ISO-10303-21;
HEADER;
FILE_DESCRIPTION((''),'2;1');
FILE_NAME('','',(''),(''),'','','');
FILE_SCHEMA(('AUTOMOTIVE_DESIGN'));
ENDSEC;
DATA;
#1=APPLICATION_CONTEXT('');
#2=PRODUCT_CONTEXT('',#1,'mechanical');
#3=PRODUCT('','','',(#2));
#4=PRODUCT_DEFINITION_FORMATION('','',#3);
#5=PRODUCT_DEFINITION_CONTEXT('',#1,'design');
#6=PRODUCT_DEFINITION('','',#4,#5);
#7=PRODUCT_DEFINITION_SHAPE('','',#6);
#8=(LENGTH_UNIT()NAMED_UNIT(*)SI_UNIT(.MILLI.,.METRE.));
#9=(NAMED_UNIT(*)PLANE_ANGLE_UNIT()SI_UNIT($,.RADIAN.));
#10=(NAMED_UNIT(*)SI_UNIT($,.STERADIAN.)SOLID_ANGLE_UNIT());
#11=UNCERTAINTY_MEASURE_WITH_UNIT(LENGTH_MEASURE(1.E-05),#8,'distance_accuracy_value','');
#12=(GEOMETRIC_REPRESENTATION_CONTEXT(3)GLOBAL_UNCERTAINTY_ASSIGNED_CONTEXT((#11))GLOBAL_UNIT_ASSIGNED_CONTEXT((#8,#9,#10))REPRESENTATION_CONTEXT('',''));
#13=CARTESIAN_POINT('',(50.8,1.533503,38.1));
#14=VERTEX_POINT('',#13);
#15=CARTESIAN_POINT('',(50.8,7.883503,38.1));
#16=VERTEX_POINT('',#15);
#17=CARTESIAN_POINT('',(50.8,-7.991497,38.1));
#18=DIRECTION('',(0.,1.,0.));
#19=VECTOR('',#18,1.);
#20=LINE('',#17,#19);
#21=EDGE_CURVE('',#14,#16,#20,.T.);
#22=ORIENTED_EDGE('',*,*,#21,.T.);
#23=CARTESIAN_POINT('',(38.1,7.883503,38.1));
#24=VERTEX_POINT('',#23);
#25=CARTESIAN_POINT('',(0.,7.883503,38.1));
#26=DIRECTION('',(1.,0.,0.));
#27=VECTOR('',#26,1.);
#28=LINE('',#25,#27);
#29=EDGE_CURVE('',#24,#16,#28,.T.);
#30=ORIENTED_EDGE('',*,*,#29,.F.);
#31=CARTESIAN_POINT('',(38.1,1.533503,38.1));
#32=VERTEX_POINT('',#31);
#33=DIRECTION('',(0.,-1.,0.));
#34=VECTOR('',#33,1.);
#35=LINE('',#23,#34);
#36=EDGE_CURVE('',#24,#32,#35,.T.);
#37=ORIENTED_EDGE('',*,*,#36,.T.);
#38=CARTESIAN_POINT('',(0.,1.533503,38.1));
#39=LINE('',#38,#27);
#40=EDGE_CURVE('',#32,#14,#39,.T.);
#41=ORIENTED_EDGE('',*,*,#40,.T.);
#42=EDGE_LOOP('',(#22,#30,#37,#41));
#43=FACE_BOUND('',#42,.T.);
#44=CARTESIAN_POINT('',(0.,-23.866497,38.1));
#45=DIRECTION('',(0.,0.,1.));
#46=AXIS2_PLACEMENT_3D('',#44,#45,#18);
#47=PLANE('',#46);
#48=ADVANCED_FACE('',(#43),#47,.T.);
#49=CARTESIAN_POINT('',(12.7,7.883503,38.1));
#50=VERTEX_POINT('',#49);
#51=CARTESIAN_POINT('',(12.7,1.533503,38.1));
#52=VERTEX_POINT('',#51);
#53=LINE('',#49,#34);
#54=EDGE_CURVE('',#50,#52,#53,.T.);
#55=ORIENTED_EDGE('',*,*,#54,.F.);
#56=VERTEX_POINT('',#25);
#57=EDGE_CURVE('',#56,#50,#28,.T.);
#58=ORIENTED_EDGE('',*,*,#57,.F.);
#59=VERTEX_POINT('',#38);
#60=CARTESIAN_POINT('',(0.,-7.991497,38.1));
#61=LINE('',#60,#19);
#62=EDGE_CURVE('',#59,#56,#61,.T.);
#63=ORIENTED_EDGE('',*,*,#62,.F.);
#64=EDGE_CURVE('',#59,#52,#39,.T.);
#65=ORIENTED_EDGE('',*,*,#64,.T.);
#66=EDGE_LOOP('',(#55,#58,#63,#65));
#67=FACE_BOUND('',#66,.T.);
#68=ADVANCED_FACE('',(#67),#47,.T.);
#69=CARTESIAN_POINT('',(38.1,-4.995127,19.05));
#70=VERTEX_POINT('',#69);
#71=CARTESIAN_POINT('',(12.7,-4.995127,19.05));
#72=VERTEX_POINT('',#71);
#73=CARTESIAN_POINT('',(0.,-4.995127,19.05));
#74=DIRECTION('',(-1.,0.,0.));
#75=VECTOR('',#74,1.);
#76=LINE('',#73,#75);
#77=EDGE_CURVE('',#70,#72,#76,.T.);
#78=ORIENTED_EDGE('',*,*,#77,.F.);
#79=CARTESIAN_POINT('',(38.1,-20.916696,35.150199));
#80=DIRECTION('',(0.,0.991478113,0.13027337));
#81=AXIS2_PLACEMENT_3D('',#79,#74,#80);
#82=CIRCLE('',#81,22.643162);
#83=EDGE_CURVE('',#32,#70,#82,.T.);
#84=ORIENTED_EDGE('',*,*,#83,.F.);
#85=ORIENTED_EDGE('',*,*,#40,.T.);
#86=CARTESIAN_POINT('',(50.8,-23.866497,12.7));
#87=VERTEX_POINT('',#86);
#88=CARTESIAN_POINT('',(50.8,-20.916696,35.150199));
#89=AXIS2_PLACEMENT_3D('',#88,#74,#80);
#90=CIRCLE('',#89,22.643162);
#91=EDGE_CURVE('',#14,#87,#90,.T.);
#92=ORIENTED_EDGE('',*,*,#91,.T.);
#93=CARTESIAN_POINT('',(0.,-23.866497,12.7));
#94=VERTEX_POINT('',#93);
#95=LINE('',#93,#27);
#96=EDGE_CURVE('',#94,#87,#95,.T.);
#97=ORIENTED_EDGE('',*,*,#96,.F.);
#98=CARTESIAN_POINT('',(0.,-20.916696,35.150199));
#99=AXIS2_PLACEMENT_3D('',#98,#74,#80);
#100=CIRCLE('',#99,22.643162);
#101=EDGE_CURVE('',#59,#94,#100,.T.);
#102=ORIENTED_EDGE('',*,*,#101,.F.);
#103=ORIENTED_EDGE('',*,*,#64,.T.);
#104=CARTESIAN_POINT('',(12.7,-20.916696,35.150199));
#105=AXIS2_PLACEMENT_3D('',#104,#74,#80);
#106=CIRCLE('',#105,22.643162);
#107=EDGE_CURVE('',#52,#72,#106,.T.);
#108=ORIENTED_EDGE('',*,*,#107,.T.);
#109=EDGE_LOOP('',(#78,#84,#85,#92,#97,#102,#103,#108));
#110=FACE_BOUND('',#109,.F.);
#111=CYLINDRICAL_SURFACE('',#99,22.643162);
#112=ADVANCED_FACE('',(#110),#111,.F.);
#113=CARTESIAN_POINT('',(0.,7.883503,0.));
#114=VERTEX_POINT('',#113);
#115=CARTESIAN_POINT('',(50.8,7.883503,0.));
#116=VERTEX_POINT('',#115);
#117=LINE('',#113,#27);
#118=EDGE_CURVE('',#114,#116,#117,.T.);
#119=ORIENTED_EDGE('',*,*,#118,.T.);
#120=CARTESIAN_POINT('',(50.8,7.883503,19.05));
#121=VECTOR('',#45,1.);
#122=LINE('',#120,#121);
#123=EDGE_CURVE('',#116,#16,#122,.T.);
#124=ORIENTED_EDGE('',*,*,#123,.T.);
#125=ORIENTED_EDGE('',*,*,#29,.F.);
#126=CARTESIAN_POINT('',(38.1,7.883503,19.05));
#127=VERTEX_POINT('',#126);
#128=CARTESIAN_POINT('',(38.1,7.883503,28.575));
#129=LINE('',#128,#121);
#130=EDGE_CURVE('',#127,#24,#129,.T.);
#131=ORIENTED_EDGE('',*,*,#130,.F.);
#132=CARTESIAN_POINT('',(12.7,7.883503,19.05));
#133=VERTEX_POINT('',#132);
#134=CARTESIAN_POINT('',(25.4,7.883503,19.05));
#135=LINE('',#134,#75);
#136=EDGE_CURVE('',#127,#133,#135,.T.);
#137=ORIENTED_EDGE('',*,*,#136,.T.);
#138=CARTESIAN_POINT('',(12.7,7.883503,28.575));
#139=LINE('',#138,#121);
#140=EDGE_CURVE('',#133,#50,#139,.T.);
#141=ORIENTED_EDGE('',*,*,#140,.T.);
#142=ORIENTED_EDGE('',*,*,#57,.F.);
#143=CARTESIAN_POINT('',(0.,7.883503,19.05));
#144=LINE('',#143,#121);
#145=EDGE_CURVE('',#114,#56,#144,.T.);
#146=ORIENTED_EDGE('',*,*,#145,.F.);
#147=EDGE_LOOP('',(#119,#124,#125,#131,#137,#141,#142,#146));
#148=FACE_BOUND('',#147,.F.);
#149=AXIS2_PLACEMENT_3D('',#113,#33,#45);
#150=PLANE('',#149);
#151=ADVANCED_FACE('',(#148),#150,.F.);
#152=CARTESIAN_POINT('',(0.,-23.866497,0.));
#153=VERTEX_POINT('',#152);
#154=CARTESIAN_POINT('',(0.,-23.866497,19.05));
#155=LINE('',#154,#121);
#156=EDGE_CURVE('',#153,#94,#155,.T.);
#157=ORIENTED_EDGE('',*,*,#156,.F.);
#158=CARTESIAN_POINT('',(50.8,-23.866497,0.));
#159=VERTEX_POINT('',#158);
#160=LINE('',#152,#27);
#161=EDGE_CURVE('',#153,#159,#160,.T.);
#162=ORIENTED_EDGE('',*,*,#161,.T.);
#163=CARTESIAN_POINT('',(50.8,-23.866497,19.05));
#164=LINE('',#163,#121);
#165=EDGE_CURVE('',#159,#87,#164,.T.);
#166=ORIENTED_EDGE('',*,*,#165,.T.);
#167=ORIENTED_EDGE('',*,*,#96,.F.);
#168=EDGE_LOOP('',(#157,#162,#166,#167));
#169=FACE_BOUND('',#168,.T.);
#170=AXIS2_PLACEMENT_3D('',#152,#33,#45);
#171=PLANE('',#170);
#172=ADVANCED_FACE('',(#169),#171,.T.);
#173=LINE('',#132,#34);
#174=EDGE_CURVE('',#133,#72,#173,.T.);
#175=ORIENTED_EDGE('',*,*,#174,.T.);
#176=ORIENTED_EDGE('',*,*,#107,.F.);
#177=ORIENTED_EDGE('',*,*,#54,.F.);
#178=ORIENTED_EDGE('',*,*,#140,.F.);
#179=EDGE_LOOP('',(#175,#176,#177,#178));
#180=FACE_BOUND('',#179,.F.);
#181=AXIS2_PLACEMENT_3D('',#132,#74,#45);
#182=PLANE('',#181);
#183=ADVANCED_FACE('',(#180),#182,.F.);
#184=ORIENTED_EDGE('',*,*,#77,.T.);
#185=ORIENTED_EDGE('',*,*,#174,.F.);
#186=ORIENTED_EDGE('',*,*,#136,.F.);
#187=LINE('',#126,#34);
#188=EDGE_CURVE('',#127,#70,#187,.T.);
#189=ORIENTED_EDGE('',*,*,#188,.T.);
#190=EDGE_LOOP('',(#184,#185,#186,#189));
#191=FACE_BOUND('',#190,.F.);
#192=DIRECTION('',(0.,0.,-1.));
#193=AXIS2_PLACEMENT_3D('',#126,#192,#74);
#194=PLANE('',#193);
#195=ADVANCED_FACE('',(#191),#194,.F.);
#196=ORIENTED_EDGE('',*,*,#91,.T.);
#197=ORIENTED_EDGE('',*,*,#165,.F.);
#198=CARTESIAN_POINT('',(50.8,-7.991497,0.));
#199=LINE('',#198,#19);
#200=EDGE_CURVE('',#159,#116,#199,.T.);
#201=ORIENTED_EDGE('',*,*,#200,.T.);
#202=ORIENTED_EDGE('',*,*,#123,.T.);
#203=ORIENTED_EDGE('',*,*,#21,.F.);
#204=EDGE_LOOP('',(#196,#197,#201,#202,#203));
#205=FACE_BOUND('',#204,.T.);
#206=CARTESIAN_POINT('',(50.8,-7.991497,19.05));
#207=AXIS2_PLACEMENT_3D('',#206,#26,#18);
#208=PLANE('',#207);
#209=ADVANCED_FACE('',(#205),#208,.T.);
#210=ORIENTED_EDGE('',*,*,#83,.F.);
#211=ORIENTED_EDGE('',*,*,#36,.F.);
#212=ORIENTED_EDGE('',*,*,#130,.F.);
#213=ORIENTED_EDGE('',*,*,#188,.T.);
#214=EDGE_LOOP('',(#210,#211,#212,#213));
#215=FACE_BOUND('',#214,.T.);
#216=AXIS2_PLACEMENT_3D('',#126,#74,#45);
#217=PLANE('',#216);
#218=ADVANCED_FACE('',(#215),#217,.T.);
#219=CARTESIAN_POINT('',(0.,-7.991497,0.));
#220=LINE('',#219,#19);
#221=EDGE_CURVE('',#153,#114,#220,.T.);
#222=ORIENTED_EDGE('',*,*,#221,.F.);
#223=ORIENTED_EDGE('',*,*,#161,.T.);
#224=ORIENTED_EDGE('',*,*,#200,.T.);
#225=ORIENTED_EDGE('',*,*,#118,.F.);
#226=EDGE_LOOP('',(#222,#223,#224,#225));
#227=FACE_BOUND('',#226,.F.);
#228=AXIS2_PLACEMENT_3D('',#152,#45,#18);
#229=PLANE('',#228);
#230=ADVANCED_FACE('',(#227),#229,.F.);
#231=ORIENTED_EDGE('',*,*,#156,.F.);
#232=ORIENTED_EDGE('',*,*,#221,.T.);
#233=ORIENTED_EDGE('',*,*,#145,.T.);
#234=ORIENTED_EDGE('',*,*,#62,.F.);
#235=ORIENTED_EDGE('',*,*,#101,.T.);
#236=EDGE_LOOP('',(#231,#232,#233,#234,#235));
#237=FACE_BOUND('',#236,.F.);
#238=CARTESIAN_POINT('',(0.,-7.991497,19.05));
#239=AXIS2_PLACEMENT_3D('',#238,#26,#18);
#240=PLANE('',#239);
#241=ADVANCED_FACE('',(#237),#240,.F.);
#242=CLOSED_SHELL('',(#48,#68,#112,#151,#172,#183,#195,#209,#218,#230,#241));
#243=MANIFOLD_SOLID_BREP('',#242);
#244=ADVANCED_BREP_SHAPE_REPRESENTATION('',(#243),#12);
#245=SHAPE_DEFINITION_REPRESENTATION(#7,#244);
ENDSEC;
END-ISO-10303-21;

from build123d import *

# Parameters (mm, degrees)
F0_W     = 31.75
F0_H     = 38.1
F1_DEPTH = 50.8
F3_DEPTH = 50.801
F4_W     = 25.4
F4_H     = 19.05
F5_DEPTH = 31.751


with BuildPart() as f1:
    # F0 (on Right) → F1 (new body)
    with BuildSketch(Plane.YZ):
        with Locations((-7.991497, 19.05)):
            Rectangle(F0_W, F0_H)
    extrude(amount=F1_DEPTH)

    # F2 (on face) → F3 (cut, through all)
    with BuildSketch(Plane(origin=(0, 0, 0), x_dir=(0, -1, 0), z_dir=(-1, 0, 0))):
        with BuildLine():
            Line((23.866497, 38.1), (-1.533503, 38.1))
            ThreePointArc((-1.533503, 38.1), (4.905563, 19.139066), (23.866497, 12.7))
            Line((23.866497, 12.7), (23.866497, 38.1))
        make_face()
    extrude(amount=-F3_DEPTH, mode=Mode.SUBTRACT)

    # F4 (on face) → F5 (cut, through all)
    with BuildSketch(Plane(origin=(0, 7.883503, 0), x_dir=(-1, 0, 0), z_dir=(0, 1, 0))):
        with Locations((-25.4, 28.575)):
            Rectangle(F4_W, F4_H)
    extrude(amount=-F5_DEPTH, mode=Mode.SUBTRACT)


solid = f1.part
